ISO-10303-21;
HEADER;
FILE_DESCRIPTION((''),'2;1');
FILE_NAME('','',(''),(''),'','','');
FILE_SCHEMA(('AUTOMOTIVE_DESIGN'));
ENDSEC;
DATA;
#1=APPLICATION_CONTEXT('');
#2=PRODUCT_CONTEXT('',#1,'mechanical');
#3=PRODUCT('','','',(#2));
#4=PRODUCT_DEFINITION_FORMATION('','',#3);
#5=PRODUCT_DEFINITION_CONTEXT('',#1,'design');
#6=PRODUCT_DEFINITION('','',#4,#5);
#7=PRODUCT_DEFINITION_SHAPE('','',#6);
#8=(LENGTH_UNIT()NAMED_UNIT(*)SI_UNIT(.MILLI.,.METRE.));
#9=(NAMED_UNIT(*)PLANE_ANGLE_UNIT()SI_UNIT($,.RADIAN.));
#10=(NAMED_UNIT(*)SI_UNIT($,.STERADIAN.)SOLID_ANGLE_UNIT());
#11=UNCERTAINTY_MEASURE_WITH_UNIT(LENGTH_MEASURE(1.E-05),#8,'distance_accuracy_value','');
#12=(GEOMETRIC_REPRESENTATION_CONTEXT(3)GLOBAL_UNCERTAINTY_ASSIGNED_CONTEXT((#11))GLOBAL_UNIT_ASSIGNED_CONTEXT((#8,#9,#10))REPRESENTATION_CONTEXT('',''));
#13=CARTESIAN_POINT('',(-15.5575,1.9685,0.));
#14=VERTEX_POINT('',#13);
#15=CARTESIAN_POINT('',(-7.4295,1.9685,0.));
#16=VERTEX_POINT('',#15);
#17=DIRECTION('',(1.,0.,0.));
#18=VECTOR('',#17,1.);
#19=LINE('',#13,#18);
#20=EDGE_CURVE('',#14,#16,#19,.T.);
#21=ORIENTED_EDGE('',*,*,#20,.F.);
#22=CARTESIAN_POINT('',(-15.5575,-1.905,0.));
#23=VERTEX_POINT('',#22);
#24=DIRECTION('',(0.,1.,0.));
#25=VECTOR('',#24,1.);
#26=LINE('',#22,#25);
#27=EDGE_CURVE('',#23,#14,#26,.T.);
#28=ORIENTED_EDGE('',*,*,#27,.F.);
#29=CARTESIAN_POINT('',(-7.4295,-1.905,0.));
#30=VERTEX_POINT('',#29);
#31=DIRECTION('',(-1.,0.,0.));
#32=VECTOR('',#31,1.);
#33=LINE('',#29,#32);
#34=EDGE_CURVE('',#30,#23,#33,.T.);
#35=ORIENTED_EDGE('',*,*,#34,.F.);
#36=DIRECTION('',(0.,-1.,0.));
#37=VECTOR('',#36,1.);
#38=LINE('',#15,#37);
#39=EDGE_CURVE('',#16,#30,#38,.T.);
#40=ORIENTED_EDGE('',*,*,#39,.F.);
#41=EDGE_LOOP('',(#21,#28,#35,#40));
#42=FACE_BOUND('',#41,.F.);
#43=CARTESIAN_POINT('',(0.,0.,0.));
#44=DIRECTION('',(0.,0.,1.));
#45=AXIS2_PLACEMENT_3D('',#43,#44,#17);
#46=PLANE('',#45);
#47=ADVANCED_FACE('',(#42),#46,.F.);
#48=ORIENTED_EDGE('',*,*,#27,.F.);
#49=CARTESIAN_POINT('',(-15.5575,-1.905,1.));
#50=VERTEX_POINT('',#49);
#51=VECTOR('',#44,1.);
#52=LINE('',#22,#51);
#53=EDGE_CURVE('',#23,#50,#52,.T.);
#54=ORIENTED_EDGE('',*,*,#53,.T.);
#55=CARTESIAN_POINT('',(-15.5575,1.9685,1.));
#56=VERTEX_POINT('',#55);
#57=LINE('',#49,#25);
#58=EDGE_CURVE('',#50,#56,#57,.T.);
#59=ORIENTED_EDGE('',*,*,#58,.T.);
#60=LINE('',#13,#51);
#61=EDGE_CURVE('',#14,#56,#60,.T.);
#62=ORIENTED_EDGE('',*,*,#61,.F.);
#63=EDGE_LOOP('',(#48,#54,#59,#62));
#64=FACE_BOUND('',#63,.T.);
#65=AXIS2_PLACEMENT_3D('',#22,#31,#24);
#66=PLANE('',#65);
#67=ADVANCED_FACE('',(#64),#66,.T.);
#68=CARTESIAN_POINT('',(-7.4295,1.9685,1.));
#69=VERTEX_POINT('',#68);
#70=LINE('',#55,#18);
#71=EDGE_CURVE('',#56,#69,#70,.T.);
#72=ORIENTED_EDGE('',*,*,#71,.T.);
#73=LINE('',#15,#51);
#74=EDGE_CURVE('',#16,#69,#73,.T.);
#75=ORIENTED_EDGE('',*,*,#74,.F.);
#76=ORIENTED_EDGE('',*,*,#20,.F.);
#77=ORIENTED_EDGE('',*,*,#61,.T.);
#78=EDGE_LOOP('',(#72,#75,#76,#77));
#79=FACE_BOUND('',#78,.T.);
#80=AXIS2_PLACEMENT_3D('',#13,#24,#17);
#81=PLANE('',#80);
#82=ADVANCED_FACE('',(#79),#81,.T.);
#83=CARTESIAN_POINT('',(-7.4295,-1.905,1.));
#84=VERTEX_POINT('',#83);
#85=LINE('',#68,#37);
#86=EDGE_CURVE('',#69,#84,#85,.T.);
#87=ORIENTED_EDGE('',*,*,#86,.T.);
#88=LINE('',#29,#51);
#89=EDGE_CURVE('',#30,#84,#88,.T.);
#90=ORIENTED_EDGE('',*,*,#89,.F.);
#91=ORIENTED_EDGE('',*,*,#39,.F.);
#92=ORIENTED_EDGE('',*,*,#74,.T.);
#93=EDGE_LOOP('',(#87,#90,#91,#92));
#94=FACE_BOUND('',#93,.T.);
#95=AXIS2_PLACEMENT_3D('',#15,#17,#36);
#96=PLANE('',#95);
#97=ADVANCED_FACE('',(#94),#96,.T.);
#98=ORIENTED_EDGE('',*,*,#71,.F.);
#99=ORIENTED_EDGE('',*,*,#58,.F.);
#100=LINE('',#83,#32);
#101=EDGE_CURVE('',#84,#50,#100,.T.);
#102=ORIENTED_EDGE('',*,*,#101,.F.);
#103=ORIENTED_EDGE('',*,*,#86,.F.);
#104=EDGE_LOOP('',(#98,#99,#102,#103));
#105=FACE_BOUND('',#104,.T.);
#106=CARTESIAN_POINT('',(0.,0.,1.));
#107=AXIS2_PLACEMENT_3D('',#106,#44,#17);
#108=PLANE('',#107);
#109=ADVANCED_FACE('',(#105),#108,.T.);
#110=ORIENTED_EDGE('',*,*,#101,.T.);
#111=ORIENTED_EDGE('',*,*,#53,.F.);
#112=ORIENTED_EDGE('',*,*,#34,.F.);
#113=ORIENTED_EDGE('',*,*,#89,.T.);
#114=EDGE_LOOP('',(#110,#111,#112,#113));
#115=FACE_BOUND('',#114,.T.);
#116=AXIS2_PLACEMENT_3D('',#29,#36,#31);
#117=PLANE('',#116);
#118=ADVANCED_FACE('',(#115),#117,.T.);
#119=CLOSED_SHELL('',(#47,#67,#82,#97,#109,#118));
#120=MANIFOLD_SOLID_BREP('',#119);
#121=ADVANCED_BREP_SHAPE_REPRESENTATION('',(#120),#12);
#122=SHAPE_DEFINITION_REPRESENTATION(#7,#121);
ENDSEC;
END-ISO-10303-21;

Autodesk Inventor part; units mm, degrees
ref_plane "YZ Plane" through (0, 0, 0) normal (1, 0, 0) x (0, 1, 0)
ref_plane "XZ Plane" through (0, 0, 0) normal (0, 1, 0) x (-1, 0, 0)
ref_plane "XY Plane" through (0, 0, 0) normal (0, 0, 1) x (1, 0, 0)
sketch "PAS_5X20, 15A_63" plane through (0, 0, 0) normal (0, 0, 1) x (1, 0, 0)
  line L0 (-15.5575, 1.9685) -> (-7.4295, 1.9685)
  line L1 (-7.4295, 1.9685) -> (-7.4295, -1.905)
  line L2 (-7.4295, -1.905) -> (-15.5575, -1.905)
  line L3 (-15.5575, -1.905) -> (-15.5575, 1.9685)
extrude "Extrusion1" add sketch "PAS_5X20, 15A_63" along normal blind 1
properties part number "15A"
